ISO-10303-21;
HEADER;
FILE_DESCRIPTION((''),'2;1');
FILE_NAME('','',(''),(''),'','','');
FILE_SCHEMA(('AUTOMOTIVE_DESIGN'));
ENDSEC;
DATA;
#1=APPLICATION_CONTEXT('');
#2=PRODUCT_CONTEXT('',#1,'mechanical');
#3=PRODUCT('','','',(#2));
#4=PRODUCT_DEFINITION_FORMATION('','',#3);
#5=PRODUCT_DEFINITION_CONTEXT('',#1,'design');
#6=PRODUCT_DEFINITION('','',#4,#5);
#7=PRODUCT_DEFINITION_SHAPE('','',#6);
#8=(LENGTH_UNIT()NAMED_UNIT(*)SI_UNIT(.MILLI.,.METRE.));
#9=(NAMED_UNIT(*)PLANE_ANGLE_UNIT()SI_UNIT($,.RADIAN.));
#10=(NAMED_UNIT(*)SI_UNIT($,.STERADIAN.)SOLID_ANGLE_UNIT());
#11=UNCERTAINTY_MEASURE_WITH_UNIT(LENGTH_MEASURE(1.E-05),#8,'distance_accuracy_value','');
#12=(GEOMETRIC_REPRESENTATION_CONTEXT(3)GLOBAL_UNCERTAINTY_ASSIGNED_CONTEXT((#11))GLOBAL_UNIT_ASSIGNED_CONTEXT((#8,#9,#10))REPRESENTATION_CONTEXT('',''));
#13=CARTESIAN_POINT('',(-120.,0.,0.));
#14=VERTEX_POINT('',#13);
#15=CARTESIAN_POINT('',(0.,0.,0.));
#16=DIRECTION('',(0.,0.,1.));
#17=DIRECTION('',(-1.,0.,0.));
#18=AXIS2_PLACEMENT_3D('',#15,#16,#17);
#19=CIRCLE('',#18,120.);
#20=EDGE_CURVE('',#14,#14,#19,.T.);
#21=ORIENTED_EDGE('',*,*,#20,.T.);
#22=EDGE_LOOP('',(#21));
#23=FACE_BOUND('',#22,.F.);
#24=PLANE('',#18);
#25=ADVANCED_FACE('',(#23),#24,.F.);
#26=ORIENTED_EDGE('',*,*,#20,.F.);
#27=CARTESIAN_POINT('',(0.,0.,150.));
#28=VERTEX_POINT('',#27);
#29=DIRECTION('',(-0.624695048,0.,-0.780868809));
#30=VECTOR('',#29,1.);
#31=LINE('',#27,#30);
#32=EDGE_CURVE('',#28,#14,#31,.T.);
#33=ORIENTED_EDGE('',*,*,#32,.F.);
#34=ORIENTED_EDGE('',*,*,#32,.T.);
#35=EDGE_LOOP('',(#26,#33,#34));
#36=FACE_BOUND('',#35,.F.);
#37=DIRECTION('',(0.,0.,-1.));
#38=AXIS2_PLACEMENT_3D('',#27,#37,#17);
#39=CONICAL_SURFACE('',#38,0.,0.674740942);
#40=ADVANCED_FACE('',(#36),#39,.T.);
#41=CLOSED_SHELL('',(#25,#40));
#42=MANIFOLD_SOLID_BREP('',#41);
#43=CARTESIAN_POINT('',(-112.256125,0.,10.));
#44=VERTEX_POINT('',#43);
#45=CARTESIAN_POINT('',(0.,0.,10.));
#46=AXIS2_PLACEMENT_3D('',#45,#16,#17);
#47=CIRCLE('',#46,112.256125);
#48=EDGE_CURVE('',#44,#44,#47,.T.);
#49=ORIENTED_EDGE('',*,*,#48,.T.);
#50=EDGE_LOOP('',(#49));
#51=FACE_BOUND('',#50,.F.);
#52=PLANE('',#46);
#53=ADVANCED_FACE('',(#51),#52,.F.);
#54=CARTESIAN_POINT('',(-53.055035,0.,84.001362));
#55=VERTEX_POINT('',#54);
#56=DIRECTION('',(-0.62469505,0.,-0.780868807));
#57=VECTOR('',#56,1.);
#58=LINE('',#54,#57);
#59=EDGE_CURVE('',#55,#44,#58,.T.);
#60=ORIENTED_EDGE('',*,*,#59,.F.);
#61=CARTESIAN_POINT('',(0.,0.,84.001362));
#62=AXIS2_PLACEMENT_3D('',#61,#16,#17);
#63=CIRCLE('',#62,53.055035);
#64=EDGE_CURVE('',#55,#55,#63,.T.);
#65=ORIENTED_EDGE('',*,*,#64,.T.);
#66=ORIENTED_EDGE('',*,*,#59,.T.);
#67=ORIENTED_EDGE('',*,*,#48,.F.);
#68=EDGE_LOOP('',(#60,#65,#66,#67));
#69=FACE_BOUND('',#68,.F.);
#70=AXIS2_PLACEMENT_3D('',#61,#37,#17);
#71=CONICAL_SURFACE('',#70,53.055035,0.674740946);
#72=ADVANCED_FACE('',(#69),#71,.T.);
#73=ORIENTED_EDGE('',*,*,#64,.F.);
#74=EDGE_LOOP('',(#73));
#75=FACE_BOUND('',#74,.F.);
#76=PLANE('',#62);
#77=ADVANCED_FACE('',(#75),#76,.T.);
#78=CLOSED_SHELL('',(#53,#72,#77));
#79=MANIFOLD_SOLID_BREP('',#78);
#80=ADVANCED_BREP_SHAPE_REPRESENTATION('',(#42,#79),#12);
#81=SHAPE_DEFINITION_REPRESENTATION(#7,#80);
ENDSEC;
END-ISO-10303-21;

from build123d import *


with BuildPart() as f1:
    # F0 (on Front) → F1 (revolve)
    with BuildSketch(Plane.XZ):
        Polygon((-120, 0), (0, 0), (0, 150), align=None)
    revolve(axis=Axis((0, 0, 75), (0, 0, 1)))


with BuildPart() as f3:
    # F2 (on Front) → F3 (revolve)
    with BuildSketch(Plane.XZ):
        Polygon((-112, 10), (0, 10), (0, 84.001362), (-52.79891, 84.001362), align=None)
        Polygon((-112.256125, 10), (-112, 10), (-52.79891, 84.001362), (-53.055035, 84.001362), align=None)
    revolve(axis=Axis((0, 0, 47.000681), (0, 0, 1)))


solid = Compound([f1.part, f3.part])
